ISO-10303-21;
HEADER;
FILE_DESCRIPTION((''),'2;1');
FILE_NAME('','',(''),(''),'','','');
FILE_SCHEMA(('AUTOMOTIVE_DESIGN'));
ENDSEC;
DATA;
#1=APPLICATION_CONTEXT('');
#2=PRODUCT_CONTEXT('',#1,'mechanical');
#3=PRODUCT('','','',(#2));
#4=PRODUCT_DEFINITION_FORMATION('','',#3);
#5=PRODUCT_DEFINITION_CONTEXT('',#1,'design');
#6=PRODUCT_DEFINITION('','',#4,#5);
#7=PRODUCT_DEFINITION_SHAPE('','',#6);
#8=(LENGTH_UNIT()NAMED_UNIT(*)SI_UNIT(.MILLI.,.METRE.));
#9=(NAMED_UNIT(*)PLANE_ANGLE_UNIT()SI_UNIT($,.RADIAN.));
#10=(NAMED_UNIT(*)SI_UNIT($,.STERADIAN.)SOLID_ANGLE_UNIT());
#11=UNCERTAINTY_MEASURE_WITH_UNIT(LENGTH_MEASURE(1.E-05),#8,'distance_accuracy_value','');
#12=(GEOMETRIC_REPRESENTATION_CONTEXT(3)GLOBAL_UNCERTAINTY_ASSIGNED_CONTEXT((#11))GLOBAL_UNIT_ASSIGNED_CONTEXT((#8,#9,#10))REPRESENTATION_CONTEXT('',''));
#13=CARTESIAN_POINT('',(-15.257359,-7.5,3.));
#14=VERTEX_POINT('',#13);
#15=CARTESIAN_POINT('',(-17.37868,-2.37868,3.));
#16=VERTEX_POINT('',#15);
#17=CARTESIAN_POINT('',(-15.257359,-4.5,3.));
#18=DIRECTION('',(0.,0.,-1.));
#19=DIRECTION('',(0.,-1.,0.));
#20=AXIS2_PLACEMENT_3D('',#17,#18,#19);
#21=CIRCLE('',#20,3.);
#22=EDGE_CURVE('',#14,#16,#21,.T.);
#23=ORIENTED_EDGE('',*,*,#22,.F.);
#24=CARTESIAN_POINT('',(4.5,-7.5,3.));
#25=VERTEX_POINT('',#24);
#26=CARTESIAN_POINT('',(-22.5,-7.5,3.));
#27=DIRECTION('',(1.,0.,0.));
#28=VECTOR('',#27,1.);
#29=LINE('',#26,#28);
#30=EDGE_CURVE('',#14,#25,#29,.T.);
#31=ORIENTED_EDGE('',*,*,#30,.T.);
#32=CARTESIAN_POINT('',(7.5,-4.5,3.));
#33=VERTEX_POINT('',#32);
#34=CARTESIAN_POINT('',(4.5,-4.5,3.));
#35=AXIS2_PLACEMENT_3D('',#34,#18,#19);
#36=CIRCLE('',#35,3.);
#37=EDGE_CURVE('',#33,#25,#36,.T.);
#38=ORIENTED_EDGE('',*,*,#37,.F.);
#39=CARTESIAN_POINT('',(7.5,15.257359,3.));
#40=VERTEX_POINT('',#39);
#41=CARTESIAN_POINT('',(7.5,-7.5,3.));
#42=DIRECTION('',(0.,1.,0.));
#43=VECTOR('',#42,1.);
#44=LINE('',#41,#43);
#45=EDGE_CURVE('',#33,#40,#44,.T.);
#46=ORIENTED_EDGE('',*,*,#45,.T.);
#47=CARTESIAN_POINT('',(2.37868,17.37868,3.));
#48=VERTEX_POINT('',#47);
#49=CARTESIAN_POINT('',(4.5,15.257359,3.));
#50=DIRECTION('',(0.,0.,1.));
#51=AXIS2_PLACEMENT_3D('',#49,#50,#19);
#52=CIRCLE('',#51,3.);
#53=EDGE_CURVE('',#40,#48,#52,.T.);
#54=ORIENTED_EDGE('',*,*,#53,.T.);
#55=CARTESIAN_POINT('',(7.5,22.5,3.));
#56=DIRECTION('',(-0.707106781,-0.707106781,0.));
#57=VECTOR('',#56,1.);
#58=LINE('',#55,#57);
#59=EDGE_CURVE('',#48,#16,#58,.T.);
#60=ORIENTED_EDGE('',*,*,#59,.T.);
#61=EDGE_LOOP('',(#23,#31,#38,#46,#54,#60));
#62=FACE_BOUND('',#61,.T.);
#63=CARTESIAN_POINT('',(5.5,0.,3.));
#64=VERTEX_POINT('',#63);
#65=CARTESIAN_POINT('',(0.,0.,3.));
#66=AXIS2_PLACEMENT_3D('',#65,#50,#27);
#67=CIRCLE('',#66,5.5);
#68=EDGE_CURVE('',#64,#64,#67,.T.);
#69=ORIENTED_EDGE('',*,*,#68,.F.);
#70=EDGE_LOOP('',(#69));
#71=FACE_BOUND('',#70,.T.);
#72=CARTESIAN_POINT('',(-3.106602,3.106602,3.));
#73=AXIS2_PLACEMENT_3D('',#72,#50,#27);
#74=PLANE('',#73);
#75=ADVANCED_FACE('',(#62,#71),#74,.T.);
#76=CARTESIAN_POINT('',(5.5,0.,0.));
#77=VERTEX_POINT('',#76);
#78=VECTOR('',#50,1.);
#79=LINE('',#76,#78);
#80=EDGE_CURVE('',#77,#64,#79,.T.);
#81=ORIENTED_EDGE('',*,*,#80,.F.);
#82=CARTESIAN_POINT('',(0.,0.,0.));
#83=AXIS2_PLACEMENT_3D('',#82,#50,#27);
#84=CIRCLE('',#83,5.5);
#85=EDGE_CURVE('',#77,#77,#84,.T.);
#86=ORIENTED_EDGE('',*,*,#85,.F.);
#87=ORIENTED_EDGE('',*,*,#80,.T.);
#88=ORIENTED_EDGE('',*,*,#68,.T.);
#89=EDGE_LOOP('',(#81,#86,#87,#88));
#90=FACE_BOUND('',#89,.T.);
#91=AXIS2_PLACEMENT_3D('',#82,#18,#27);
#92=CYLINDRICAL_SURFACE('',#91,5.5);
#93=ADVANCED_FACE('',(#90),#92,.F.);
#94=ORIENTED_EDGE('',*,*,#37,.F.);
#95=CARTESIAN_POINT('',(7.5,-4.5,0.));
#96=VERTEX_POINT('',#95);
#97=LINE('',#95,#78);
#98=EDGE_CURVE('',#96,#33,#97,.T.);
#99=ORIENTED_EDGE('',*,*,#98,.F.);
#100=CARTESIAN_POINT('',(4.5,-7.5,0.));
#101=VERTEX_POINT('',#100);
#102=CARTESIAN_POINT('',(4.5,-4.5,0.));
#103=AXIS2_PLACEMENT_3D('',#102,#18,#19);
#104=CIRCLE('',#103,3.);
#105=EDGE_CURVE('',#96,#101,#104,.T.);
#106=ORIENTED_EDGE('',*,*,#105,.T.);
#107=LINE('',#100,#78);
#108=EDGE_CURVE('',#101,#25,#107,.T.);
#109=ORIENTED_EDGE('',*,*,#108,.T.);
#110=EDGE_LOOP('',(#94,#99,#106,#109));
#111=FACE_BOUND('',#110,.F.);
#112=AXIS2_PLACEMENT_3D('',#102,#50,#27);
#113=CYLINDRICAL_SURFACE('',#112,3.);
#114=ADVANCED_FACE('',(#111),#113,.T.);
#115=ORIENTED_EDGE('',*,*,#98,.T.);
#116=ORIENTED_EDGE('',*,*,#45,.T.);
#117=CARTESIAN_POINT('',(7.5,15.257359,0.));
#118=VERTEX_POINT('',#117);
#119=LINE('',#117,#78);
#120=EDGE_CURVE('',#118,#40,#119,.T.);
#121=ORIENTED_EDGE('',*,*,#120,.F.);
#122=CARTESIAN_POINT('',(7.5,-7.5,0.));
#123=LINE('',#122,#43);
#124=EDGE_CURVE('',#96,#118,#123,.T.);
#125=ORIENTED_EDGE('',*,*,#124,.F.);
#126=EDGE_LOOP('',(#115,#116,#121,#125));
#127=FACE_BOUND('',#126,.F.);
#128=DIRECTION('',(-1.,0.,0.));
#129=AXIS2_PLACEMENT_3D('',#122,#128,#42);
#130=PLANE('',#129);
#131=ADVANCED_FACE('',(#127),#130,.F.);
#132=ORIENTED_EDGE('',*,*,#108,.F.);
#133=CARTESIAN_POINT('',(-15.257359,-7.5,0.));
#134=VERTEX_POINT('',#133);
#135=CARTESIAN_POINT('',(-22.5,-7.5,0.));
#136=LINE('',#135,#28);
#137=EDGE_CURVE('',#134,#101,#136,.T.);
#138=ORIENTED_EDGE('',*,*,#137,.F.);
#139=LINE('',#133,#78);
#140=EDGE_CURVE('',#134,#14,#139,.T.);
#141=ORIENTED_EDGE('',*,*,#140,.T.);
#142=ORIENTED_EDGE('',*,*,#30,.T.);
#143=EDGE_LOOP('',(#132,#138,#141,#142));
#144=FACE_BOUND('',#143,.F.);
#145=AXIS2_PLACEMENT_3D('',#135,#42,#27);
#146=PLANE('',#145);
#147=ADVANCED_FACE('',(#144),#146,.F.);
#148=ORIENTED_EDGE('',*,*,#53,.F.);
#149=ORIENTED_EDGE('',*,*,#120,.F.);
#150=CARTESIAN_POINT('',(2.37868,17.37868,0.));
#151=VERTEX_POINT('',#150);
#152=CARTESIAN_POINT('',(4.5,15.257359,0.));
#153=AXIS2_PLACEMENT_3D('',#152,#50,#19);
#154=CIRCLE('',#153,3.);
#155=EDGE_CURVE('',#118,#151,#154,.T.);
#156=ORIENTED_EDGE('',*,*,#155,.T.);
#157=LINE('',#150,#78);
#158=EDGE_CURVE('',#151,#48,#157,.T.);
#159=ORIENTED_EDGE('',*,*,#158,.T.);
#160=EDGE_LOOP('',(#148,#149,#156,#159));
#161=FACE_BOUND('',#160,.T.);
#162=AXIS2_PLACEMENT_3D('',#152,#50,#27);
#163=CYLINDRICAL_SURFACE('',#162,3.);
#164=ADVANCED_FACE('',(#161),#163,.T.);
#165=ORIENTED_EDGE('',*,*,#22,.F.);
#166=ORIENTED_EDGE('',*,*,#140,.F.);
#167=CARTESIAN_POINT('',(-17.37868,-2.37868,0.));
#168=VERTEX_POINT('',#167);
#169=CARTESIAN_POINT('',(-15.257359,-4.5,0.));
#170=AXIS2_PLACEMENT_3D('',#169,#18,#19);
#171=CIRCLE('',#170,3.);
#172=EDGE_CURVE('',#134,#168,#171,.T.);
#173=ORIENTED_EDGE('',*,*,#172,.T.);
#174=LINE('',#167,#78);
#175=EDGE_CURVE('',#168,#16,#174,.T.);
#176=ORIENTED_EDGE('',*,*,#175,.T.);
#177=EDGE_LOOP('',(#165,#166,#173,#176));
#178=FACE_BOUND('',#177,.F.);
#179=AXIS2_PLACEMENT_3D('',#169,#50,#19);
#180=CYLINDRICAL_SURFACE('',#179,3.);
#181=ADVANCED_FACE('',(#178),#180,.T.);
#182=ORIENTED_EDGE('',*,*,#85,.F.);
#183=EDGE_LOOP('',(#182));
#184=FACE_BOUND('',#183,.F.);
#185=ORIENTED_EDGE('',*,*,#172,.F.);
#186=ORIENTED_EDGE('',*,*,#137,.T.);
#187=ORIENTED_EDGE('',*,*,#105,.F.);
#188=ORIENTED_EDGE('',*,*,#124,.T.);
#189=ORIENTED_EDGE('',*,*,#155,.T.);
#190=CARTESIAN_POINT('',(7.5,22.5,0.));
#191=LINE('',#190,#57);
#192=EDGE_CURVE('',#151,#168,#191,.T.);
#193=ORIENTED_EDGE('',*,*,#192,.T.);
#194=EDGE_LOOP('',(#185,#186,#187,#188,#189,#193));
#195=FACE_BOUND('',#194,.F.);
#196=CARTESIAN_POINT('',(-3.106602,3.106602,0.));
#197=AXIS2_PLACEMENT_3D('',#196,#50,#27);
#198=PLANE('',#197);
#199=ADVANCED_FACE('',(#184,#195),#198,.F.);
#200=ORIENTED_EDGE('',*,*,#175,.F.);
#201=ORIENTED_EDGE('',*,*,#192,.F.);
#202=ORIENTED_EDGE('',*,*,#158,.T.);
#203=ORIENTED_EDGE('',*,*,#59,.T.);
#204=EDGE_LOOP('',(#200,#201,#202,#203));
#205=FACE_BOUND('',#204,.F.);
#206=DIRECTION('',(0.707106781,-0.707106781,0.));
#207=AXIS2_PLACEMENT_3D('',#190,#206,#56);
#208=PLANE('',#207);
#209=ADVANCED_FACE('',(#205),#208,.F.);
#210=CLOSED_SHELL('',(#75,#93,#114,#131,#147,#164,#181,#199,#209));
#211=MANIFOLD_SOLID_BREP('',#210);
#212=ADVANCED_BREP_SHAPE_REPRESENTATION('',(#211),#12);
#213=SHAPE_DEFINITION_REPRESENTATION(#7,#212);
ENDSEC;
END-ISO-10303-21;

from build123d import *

# Parameters (mm, degrees)
F0_R     = 5.5
F1_DEPTH = 3
F2_R     = 3


with BuildPart() as f1:
    # F0 (on Top) → F1 (new body)
    with BuildSketch(Plane.XY):
        Polygon((7.5, -7.5), (7.5, 22.5), (-22.5, -7.5), align=None)
        Circle(F0_R, mode=Mode.SUBTRACT)
    extrude(amount=F1_DEPTH)

    # F2
    f2_edges = [f1.edges().sort_by_distance(p)[0] for p in [
        (-22.5, -7.5, 1.5),
        (7.5, -7.5, 1.5),
        (7.5, 22.5, 1.5),
    ]]
    fillet(f2_edges, radius=F2_R)


solid = f1.part
